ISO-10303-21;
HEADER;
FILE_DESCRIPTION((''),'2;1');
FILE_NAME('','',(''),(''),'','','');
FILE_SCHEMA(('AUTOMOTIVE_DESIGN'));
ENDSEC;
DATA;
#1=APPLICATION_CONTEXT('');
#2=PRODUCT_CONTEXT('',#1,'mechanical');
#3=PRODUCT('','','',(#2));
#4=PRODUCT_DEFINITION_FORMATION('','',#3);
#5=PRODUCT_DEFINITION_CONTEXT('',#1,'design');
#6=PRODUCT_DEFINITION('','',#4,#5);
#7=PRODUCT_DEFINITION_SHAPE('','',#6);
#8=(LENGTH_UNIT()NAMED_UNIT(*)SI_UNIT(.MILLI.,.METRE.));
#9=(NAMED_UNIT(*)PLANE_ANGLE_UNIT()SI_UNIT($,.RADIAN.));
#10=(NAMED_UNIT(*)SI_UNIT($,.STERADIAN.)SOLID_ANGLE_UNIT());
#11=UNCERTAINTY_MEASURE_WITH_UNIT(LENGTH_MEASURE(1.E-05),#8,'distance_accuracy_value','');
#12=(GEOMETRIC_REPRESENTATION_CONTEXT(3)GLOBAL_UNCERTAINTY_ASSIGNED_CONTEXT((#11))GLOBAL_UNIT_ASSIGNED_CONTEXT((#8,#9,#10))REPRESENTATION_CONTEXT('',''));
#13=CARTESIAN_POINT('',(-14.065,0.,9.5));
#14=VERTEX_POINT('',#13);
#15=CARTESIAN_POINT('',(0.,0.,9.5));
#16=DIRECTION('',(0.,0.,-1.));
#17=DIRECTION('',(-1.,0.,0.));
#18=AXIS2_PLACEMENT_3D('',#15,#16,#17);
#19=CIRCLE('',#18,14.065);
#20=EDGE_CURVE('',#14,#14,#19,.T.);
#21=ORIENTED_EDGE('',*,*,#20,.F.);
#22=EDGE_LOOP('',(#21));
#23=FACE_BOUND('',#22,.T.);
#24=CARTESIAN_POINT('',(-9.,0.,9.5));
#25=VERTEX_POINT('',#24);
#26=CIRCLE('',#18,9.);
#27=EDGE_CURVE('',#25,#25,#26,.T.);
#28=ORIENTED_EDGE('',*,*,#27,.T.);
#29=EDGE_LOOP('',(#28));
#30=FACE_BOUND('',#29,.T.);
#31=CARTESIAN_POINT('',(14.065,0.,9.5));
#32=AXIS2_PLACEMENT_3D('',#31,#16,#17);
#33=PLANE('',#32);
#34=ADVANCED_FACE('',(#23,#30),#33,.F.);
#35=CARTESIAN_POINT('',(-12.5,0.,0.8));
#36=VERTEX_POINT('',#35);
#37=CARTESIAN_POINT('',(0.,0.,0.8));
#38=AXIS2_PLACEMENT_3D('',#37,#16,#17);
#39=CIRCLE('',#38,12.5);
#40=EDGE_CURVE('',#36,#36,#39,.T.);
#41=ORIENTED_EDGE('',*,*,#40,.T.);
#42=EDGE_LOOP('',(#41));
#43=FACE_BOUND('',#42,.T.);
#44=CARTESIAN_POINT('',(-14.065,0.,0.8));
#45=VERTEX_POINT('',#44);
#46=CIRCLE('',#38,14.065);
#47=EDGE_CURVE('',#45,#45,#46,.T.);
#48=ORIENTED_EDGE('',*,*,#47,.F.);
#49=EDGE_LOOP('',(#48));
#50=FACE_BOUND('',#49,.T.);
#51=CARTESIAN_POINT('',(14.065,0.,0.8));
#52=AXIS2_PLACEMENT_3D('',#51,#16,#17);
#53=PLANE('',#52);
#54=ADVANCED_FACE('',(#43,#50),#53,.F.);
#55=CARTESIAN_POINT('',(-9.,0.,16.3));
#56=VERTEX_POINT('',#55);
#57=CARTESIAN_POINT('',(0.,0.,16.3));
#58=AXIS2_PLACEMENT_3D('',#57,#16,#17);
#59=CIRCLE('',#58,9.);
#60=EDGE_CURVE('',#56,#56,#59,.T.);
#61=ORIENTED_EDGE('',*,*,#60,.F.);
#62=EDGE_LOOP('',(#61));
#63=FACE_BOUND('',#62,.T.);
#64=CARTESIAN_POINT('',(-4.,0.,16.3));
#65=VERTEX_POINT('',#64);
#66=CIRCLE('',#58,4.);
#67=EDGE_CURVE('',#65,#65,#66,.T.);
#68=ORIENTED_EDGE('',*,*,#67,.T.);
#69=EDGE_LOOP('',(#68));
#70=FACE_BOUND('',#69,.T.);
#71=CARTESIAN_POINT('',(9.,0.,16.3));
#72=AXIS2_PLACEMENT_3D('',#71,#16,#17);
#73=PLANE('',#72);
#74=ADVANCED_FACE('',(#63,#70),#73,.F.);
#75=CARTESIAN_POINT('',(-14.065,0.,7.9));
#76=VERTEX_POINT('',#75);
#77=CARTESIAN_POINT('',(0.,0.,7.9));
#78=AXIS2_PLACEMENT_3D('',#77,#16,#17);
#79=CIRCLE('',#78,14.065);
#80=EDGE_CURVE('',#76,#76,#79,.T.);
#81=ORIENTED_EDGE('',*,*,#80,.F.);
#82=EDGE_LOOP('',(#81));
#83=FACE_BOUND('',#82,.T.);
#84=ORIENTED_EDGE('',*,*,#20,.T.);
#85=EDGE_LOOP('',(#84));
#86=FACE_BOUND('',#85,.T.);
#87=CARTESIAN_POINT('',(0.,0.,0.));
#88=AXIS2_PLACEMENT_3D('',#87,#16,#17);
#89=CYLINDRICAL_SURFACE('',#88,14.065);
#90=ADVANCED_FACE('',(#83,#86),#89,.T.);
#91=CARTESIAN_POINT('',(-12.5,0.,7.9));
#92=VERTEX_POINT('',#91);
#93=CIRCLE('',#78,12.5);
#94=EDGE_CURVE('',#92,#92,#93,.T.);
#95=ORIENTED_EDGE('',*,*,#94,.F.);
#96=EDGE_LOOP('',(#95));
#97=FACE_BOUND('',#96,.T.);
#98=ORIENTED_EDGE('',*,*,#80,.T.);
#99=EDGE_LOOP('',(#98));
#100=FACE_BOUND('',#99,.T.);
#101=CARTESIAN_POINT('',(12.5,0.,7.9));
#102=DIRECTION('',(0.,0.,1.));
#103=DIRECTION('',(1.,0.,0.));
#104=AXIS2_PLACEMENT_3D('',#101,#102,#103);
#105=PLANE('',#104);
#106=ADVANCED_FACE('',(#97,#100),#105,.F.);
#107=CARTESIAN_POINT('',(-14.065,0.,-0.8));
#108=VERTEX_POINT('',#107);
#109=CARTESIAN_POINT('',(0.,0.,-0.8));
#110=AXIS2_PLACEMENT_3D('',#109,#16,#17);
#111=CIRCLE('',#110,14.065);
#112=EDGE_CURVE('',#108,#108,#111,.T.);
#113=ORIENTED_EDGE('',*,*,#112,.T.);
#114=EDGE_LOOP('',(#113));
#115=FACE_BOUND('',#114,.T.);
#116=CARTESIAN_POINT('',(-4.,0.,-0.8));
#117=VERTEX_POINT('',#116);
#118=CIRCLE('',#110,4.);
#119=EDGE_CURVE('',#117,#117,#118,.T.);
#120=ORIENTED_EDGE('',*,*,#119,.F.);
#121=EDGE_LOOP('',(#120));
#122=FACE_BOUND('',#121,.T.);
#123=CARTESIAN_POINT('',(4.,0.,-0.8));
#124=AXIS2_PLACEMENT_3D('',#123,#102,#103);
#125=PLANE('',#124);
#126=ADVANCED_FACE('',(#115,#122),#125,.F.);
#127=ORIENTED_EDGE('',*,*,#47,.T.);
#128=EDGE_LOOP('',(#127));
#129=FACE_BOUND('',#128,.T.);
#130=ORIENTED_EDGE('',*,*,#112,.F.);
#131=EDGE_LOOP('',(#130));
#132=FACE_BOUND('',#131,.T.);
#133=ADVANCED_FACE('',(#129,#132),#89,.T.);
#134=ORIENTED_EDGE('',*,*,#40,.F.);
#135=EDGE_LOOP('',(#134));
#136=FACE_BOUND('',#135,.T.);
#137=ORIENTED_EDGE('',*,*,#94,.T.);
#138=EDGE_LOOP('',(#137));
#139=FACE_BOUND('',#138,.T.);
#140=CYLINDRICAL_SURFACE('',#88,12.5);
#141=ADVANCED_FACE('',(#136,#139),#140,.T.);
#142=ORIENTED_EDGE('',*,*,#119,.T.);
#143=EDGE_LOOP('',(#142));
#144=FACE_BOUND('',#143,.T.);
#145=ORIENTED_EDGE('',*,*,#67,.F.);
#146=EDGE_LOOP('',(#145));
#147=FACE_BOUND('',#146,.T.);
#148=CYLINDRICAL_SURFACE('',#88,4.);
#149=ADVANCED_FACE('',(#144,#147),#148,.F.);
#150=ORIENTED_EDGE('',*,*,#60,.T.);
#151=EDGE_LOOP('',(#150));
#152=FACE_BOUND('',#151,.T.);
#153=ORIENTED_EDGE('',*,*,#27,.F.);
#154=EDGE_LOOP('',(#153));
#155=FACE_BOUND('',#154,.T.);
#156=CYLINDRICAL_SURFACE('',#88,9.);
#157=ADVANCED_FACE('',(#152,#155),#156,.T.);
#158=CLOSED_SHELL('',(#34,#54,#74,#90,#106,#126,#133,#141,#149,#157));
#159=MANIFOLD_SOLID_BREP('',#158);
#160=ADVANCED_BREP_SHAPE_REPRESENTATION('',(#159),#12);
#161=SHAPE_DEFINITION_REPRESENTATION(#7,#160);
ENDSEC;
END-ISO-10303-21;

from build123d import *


with BuildPart() as part:
    # Sketch1 → Revolve1 (revolve)
    with BuildSketch(Plane(origin=(0, 0, 0), x_dir=(-1, 0, 0), z_dir=(0, 1, 0)), mode=Mode.PRIVATE) as revolve1_sk:
        Polygon((-14.065, 0.8), (-14.065, -0.8), (-4, -0.8), (-4, 16.3), (-9, 16.3), (-9, 9.5), (-14.065, 9.5), (-14.065, 7.9), (-12.5, 7.9), (-12.5, 0.8), align=None)
    revolve(revolve1_sk.sketch.rotate(Axis((0, 0, 0), (0, 0, 1)), 180), axis=Axis((0, 0, 0), (0, 0, 1)))


solid = part.part
